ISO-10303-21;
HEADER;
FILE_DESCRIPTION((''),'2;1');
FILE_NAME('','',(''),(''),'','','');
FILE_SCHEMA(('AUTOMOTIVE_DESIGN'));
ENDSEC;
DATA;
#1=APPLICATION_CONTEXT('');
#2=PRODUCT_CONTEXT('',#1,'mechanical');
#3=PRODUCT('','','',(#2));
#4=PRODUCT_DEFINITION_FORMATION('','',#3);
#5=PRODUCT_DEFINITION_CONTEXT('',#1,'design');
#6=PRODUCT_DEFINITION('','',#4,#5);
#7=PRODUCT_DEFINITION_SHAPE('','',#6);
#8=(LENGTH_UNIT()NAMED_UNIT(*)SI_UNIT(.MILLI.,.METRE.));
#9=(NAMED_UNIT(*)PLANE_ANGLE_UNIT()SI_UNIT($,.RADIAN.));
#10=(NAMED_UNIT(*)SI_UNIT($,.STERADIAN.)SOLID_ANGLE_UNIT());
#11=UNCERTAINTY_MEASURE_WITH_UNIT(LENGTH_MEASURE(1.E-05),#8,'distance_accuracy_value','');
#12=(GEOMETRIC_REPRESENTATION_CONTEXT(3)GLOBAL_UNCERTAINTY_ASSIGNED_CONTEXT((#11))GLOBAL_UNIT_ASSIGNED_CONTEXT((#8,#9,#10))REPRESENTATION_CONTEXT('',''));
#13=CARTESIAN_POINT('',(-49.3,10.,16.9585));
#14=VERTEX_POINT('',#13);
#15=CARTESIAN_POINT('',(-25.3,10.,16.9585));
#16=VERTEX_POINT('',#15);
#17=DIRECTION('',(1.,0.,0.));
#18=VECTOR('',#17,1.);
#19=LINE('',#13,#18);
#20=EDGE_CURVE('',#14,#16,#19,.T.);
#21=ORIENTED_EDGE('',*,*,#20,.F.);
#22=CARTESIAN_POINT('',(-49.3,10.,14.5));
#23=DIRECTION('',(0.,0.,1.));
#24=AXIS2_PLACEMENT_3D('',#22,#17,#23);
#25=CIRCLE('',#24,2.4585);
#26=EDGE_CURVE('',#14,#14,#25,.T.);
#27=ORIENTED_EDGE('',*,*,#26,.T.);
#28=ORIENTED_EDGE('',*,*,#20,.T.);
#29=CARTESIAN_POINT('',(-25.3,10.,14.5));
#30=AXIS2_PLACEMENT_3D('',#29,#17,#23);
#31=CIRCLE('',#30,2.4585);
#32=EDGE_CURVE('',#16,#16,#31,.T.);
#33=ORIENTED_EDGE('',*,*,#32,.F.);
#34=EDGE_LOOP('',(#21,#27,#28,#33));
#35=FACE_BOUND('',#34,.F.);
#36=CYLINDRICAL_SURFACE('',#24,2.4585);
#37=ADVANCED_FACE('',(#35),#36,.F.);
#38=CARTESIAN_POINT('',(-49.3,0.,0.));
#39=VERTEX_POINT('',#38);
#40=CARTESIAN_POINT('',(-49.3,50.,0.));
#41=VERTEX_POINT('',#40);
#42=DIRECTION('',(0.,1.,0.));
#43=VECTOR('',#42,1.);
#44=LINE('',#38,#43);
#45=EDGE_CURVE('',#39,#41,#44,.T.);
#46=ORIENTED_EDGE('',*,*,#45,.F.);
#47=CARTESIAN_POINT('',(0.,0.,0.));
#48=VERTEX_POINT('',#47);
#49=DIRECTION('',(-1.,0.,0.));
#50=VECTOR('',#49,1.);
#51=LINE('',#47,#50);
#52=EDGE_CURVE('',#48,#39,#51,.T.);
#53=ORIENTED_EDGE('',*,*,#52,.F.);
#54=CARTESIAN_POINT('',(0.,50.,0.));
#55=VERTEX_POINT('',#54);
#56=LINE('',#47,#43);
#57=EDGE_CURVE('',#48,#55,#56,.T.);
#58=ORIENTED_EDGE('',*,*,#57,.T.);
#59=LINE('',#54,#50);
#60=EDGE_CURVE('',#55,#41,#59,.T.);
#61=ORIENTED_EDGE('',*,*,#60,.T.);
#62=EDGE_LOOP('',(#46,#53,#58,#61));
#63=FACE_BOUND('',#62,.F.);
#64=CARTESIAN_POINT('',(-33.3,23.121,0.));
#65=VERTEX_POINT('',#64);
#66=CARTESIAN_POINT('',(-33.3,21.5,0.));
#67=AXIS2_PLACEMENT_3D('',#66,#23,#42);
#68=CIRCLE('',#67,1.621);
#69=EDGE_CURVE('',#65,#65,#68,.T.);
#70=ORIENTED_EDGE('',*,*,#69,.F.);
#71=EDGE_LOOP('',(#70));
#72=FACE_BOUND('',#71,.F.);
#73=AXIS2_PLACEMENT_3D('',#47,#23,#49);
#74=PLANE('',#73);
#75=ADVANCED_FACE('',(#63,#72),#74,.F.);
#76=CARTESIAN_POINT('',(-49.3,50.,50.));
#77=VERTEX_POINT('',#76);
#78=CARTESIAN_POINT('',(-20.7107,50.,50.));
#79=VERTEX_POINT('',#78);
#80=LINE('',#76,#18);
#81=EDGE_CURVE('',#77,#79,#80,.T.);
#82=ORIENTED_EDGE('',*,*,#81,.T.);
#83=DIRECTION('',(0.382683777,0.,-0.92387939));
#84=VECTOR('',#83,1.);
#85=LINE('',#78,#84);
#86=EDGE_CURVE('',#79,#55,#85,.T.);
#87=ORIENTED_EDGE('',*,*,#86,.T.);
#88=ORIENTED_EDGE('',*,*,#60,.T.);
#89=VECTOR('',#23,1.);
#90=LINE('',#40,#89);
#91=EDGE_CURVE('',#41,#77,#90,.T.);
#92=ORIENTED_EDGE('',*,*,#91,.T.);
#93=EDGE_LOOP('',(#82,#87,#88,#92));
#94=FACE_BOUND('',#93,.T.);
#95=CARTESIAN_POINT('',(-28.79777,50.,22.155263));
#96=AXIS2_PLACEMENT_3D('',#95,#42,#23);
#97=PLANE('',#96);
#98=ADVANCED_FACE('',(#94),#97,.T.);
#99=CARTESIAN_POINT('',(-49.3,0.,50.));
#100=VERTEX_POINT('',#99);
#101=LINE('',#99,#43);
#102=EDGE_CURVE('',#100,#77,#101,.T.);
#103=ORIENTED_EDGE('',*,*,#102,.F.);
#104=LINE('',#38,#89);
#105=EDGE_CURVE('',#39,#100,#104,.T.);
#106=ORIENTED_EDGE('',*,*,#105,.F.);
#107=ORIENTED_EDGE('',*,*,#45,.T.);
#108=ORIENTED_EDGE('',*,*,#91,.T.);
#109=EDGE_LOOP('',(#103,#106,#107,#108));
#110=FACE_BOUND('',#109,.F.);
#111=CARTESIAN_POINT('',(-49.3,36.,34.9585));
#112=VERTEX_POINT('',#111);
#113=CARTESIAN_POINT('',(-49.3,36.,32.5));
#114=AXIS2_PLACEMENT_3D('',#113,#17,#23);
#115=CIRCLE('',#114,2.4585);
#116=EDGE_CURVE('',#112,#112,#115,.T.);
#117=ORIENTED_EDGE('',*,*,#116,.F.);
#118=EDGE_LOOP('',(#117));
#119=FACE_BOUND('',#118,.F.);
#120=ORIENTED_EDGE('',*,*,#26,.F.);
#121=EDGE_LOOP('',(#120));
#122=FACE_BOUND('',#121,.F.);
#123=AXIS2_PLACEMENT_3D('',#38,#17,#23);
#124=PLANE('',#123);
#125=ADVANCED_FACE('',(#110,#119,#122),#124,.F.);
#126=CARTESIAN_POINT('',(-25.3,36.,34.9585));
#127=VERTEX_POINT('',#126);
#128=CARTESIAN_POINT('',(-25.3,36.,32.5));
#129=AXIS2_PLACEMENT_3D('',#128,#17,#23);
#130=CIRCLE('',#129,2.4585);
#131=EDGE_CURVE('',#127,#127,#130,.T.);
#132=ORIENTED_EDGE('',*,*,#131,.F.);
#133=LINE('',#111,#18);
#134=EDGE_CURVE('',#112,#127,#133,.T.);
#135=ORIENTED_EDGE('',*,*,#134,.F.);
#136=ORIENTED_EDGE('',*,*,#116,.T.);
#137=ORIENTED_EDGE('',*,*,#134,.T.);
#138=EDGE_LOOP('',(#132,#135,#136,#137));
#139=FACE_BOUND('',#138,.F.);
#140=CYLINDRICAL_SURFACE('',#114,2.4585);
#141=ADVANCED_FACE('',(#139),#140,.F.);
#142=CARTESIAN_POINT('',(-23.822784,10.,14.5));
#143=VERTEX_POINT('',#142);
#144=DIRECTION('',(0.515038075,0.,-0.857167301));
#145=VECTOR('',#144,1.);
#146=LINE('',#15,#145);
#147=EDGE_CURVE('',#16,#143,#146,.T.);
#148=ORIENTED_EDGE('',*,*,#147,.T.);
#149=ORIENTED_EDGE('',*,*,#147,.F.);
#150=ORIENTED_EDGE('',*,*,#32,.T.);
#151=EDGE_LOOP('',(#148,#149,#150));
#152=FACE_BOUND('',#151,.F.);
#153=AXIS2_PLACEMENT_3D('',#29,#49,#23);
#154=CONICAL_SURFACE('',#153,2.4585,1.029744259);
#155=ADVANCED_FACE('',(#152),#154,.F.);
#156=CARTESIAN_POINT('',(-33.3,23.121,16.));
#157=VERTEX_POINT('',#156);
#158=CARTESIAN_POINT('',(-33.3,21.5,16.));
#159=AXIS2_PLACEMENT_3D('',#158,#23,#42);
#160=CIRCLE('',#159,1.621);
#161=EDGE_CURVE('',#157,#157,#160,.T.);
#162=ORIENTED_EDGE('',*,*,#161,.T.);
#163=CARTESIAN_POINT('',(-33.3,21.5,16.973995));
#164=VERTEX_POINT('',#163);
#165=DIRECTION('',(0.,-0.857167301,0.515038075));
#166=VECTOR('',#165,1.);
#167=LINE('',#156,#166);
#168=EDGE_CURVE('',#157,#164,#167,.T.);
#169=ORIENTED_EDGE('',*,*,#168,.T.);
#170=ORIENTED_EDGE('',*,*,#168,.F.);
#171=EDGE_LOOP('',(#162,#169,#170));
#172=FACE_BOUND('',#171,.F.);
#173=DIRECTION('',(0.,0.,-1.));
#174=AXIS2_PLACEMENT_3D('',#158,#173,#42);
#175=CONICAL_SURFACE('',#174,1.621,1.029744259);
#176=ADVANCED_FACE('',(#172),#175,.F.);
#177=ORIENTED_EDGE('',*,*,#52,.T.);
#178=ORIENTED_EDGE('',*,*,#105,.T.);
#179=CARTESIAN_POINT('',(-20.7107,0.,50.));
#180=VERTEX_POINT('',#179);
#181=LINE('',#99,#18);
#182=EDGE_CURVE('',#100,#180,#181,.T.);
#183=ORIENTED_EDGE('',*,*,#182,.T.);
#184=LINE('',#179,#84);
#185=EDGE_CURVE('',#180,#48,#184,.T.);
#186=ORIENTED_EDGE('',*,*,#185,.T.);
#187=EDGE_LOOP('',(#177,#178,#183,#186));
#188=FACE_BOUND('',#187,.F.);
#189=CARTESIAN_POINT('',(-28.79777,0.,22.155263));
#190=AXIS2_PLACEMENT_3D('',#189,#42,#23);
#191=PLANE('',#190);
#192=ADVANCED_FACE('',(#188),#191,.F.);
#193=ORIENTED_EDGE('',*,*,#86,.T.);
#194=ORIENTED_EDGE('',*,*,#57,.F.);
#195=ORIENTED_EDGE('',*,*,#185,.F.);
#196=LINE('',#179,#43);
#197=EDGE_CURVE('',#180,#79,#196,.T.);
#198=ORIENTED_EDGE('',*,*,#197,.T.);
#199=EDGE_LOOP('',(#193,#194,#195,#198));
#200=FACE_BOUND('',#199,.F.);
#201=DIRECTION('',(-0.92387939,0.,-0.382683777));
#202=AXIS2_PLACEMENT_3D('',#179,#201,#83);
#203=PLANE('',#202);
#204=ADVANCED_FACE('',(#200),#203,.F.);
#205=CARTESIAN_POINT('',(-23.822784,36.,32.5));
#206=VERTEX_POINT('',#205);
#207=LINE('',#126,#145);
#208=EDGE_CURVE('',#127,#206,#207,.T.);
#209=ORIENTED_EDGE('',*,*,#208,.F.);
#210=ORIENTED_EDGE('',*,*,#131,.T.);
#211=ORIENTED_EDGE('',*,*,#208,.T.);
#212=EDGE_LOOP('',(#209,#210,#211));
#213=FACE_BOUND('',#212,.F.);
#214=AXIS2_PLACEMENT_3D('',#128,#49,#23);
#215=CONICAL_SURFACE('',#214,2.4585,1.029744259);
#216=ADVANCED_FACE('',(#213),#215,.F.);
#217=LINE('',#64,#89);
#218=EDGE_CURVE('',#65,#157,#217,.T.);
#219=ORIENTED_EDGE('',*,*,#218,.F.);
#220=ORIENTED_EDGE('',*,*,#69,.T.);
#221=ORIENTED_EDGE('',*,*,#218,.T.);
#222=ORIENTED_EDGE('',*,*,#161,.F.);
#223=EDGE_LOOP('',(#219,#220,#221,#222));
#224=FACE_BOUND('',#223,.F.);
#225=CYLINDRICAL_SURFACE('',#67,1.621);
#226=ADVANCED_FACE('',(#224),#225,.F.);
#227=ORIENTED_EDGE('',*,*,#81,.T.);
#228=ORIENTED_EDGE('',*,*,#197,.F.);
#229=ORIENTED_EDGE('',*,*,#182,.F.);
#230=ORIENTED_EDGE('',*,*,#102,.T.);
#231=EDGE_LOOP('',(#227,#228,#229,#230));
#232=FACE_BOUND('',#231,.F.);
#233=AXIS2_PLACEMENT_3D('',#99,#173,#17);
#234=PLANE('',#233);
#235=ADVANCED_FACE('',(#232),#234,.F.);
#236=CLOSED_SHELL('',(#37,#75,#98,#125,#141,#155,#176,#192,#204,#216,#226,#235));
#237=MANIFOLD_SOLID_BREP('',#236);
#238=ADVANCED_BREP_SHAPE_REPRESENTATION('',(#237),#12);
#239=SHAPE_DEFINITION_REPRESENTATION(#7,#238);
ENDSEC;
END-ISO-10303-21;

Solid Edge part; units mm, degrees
sketch "Sketch1" plane through (0, 0, 0) normal (0, -1, 0) x (1, 0, 0)
  line L0 (0, 0) -> (-49.3, 0)
  line L1 (-49.3, 0) -> (-49.3, 50)
  line L2 (-49.3, 50) -> (-20.7107, 50)
  line L3 (-20.7107, 50) -> (0, 0)
  dimension "D1" = 49.3
  dimension "D2" = 50
extrude "Protrusion1" add sketch "Sketch1" against normal blind 50
hole "Bohrung_1" at (-49.3, 36, 32.5) direction (1, 0, 0) diameter 4.917 depth 24 tip angle 118 thread major 6 thread length 18
hole "Hole1" at (-49.3, 10, 14.5) direction (1, 0, 0) diameter 4.917 depth 24 tip angle 118 thread major 6 thread length 18
hole "Bohrung_3" at (-33.3, 21.5, 0) direction (0, 0, 1) diameter 3.242 depth 16 tip angle 118 thread major 4 thread length 12
properties part number "A1.2-A" material "AlMgSi 0,5-1"
